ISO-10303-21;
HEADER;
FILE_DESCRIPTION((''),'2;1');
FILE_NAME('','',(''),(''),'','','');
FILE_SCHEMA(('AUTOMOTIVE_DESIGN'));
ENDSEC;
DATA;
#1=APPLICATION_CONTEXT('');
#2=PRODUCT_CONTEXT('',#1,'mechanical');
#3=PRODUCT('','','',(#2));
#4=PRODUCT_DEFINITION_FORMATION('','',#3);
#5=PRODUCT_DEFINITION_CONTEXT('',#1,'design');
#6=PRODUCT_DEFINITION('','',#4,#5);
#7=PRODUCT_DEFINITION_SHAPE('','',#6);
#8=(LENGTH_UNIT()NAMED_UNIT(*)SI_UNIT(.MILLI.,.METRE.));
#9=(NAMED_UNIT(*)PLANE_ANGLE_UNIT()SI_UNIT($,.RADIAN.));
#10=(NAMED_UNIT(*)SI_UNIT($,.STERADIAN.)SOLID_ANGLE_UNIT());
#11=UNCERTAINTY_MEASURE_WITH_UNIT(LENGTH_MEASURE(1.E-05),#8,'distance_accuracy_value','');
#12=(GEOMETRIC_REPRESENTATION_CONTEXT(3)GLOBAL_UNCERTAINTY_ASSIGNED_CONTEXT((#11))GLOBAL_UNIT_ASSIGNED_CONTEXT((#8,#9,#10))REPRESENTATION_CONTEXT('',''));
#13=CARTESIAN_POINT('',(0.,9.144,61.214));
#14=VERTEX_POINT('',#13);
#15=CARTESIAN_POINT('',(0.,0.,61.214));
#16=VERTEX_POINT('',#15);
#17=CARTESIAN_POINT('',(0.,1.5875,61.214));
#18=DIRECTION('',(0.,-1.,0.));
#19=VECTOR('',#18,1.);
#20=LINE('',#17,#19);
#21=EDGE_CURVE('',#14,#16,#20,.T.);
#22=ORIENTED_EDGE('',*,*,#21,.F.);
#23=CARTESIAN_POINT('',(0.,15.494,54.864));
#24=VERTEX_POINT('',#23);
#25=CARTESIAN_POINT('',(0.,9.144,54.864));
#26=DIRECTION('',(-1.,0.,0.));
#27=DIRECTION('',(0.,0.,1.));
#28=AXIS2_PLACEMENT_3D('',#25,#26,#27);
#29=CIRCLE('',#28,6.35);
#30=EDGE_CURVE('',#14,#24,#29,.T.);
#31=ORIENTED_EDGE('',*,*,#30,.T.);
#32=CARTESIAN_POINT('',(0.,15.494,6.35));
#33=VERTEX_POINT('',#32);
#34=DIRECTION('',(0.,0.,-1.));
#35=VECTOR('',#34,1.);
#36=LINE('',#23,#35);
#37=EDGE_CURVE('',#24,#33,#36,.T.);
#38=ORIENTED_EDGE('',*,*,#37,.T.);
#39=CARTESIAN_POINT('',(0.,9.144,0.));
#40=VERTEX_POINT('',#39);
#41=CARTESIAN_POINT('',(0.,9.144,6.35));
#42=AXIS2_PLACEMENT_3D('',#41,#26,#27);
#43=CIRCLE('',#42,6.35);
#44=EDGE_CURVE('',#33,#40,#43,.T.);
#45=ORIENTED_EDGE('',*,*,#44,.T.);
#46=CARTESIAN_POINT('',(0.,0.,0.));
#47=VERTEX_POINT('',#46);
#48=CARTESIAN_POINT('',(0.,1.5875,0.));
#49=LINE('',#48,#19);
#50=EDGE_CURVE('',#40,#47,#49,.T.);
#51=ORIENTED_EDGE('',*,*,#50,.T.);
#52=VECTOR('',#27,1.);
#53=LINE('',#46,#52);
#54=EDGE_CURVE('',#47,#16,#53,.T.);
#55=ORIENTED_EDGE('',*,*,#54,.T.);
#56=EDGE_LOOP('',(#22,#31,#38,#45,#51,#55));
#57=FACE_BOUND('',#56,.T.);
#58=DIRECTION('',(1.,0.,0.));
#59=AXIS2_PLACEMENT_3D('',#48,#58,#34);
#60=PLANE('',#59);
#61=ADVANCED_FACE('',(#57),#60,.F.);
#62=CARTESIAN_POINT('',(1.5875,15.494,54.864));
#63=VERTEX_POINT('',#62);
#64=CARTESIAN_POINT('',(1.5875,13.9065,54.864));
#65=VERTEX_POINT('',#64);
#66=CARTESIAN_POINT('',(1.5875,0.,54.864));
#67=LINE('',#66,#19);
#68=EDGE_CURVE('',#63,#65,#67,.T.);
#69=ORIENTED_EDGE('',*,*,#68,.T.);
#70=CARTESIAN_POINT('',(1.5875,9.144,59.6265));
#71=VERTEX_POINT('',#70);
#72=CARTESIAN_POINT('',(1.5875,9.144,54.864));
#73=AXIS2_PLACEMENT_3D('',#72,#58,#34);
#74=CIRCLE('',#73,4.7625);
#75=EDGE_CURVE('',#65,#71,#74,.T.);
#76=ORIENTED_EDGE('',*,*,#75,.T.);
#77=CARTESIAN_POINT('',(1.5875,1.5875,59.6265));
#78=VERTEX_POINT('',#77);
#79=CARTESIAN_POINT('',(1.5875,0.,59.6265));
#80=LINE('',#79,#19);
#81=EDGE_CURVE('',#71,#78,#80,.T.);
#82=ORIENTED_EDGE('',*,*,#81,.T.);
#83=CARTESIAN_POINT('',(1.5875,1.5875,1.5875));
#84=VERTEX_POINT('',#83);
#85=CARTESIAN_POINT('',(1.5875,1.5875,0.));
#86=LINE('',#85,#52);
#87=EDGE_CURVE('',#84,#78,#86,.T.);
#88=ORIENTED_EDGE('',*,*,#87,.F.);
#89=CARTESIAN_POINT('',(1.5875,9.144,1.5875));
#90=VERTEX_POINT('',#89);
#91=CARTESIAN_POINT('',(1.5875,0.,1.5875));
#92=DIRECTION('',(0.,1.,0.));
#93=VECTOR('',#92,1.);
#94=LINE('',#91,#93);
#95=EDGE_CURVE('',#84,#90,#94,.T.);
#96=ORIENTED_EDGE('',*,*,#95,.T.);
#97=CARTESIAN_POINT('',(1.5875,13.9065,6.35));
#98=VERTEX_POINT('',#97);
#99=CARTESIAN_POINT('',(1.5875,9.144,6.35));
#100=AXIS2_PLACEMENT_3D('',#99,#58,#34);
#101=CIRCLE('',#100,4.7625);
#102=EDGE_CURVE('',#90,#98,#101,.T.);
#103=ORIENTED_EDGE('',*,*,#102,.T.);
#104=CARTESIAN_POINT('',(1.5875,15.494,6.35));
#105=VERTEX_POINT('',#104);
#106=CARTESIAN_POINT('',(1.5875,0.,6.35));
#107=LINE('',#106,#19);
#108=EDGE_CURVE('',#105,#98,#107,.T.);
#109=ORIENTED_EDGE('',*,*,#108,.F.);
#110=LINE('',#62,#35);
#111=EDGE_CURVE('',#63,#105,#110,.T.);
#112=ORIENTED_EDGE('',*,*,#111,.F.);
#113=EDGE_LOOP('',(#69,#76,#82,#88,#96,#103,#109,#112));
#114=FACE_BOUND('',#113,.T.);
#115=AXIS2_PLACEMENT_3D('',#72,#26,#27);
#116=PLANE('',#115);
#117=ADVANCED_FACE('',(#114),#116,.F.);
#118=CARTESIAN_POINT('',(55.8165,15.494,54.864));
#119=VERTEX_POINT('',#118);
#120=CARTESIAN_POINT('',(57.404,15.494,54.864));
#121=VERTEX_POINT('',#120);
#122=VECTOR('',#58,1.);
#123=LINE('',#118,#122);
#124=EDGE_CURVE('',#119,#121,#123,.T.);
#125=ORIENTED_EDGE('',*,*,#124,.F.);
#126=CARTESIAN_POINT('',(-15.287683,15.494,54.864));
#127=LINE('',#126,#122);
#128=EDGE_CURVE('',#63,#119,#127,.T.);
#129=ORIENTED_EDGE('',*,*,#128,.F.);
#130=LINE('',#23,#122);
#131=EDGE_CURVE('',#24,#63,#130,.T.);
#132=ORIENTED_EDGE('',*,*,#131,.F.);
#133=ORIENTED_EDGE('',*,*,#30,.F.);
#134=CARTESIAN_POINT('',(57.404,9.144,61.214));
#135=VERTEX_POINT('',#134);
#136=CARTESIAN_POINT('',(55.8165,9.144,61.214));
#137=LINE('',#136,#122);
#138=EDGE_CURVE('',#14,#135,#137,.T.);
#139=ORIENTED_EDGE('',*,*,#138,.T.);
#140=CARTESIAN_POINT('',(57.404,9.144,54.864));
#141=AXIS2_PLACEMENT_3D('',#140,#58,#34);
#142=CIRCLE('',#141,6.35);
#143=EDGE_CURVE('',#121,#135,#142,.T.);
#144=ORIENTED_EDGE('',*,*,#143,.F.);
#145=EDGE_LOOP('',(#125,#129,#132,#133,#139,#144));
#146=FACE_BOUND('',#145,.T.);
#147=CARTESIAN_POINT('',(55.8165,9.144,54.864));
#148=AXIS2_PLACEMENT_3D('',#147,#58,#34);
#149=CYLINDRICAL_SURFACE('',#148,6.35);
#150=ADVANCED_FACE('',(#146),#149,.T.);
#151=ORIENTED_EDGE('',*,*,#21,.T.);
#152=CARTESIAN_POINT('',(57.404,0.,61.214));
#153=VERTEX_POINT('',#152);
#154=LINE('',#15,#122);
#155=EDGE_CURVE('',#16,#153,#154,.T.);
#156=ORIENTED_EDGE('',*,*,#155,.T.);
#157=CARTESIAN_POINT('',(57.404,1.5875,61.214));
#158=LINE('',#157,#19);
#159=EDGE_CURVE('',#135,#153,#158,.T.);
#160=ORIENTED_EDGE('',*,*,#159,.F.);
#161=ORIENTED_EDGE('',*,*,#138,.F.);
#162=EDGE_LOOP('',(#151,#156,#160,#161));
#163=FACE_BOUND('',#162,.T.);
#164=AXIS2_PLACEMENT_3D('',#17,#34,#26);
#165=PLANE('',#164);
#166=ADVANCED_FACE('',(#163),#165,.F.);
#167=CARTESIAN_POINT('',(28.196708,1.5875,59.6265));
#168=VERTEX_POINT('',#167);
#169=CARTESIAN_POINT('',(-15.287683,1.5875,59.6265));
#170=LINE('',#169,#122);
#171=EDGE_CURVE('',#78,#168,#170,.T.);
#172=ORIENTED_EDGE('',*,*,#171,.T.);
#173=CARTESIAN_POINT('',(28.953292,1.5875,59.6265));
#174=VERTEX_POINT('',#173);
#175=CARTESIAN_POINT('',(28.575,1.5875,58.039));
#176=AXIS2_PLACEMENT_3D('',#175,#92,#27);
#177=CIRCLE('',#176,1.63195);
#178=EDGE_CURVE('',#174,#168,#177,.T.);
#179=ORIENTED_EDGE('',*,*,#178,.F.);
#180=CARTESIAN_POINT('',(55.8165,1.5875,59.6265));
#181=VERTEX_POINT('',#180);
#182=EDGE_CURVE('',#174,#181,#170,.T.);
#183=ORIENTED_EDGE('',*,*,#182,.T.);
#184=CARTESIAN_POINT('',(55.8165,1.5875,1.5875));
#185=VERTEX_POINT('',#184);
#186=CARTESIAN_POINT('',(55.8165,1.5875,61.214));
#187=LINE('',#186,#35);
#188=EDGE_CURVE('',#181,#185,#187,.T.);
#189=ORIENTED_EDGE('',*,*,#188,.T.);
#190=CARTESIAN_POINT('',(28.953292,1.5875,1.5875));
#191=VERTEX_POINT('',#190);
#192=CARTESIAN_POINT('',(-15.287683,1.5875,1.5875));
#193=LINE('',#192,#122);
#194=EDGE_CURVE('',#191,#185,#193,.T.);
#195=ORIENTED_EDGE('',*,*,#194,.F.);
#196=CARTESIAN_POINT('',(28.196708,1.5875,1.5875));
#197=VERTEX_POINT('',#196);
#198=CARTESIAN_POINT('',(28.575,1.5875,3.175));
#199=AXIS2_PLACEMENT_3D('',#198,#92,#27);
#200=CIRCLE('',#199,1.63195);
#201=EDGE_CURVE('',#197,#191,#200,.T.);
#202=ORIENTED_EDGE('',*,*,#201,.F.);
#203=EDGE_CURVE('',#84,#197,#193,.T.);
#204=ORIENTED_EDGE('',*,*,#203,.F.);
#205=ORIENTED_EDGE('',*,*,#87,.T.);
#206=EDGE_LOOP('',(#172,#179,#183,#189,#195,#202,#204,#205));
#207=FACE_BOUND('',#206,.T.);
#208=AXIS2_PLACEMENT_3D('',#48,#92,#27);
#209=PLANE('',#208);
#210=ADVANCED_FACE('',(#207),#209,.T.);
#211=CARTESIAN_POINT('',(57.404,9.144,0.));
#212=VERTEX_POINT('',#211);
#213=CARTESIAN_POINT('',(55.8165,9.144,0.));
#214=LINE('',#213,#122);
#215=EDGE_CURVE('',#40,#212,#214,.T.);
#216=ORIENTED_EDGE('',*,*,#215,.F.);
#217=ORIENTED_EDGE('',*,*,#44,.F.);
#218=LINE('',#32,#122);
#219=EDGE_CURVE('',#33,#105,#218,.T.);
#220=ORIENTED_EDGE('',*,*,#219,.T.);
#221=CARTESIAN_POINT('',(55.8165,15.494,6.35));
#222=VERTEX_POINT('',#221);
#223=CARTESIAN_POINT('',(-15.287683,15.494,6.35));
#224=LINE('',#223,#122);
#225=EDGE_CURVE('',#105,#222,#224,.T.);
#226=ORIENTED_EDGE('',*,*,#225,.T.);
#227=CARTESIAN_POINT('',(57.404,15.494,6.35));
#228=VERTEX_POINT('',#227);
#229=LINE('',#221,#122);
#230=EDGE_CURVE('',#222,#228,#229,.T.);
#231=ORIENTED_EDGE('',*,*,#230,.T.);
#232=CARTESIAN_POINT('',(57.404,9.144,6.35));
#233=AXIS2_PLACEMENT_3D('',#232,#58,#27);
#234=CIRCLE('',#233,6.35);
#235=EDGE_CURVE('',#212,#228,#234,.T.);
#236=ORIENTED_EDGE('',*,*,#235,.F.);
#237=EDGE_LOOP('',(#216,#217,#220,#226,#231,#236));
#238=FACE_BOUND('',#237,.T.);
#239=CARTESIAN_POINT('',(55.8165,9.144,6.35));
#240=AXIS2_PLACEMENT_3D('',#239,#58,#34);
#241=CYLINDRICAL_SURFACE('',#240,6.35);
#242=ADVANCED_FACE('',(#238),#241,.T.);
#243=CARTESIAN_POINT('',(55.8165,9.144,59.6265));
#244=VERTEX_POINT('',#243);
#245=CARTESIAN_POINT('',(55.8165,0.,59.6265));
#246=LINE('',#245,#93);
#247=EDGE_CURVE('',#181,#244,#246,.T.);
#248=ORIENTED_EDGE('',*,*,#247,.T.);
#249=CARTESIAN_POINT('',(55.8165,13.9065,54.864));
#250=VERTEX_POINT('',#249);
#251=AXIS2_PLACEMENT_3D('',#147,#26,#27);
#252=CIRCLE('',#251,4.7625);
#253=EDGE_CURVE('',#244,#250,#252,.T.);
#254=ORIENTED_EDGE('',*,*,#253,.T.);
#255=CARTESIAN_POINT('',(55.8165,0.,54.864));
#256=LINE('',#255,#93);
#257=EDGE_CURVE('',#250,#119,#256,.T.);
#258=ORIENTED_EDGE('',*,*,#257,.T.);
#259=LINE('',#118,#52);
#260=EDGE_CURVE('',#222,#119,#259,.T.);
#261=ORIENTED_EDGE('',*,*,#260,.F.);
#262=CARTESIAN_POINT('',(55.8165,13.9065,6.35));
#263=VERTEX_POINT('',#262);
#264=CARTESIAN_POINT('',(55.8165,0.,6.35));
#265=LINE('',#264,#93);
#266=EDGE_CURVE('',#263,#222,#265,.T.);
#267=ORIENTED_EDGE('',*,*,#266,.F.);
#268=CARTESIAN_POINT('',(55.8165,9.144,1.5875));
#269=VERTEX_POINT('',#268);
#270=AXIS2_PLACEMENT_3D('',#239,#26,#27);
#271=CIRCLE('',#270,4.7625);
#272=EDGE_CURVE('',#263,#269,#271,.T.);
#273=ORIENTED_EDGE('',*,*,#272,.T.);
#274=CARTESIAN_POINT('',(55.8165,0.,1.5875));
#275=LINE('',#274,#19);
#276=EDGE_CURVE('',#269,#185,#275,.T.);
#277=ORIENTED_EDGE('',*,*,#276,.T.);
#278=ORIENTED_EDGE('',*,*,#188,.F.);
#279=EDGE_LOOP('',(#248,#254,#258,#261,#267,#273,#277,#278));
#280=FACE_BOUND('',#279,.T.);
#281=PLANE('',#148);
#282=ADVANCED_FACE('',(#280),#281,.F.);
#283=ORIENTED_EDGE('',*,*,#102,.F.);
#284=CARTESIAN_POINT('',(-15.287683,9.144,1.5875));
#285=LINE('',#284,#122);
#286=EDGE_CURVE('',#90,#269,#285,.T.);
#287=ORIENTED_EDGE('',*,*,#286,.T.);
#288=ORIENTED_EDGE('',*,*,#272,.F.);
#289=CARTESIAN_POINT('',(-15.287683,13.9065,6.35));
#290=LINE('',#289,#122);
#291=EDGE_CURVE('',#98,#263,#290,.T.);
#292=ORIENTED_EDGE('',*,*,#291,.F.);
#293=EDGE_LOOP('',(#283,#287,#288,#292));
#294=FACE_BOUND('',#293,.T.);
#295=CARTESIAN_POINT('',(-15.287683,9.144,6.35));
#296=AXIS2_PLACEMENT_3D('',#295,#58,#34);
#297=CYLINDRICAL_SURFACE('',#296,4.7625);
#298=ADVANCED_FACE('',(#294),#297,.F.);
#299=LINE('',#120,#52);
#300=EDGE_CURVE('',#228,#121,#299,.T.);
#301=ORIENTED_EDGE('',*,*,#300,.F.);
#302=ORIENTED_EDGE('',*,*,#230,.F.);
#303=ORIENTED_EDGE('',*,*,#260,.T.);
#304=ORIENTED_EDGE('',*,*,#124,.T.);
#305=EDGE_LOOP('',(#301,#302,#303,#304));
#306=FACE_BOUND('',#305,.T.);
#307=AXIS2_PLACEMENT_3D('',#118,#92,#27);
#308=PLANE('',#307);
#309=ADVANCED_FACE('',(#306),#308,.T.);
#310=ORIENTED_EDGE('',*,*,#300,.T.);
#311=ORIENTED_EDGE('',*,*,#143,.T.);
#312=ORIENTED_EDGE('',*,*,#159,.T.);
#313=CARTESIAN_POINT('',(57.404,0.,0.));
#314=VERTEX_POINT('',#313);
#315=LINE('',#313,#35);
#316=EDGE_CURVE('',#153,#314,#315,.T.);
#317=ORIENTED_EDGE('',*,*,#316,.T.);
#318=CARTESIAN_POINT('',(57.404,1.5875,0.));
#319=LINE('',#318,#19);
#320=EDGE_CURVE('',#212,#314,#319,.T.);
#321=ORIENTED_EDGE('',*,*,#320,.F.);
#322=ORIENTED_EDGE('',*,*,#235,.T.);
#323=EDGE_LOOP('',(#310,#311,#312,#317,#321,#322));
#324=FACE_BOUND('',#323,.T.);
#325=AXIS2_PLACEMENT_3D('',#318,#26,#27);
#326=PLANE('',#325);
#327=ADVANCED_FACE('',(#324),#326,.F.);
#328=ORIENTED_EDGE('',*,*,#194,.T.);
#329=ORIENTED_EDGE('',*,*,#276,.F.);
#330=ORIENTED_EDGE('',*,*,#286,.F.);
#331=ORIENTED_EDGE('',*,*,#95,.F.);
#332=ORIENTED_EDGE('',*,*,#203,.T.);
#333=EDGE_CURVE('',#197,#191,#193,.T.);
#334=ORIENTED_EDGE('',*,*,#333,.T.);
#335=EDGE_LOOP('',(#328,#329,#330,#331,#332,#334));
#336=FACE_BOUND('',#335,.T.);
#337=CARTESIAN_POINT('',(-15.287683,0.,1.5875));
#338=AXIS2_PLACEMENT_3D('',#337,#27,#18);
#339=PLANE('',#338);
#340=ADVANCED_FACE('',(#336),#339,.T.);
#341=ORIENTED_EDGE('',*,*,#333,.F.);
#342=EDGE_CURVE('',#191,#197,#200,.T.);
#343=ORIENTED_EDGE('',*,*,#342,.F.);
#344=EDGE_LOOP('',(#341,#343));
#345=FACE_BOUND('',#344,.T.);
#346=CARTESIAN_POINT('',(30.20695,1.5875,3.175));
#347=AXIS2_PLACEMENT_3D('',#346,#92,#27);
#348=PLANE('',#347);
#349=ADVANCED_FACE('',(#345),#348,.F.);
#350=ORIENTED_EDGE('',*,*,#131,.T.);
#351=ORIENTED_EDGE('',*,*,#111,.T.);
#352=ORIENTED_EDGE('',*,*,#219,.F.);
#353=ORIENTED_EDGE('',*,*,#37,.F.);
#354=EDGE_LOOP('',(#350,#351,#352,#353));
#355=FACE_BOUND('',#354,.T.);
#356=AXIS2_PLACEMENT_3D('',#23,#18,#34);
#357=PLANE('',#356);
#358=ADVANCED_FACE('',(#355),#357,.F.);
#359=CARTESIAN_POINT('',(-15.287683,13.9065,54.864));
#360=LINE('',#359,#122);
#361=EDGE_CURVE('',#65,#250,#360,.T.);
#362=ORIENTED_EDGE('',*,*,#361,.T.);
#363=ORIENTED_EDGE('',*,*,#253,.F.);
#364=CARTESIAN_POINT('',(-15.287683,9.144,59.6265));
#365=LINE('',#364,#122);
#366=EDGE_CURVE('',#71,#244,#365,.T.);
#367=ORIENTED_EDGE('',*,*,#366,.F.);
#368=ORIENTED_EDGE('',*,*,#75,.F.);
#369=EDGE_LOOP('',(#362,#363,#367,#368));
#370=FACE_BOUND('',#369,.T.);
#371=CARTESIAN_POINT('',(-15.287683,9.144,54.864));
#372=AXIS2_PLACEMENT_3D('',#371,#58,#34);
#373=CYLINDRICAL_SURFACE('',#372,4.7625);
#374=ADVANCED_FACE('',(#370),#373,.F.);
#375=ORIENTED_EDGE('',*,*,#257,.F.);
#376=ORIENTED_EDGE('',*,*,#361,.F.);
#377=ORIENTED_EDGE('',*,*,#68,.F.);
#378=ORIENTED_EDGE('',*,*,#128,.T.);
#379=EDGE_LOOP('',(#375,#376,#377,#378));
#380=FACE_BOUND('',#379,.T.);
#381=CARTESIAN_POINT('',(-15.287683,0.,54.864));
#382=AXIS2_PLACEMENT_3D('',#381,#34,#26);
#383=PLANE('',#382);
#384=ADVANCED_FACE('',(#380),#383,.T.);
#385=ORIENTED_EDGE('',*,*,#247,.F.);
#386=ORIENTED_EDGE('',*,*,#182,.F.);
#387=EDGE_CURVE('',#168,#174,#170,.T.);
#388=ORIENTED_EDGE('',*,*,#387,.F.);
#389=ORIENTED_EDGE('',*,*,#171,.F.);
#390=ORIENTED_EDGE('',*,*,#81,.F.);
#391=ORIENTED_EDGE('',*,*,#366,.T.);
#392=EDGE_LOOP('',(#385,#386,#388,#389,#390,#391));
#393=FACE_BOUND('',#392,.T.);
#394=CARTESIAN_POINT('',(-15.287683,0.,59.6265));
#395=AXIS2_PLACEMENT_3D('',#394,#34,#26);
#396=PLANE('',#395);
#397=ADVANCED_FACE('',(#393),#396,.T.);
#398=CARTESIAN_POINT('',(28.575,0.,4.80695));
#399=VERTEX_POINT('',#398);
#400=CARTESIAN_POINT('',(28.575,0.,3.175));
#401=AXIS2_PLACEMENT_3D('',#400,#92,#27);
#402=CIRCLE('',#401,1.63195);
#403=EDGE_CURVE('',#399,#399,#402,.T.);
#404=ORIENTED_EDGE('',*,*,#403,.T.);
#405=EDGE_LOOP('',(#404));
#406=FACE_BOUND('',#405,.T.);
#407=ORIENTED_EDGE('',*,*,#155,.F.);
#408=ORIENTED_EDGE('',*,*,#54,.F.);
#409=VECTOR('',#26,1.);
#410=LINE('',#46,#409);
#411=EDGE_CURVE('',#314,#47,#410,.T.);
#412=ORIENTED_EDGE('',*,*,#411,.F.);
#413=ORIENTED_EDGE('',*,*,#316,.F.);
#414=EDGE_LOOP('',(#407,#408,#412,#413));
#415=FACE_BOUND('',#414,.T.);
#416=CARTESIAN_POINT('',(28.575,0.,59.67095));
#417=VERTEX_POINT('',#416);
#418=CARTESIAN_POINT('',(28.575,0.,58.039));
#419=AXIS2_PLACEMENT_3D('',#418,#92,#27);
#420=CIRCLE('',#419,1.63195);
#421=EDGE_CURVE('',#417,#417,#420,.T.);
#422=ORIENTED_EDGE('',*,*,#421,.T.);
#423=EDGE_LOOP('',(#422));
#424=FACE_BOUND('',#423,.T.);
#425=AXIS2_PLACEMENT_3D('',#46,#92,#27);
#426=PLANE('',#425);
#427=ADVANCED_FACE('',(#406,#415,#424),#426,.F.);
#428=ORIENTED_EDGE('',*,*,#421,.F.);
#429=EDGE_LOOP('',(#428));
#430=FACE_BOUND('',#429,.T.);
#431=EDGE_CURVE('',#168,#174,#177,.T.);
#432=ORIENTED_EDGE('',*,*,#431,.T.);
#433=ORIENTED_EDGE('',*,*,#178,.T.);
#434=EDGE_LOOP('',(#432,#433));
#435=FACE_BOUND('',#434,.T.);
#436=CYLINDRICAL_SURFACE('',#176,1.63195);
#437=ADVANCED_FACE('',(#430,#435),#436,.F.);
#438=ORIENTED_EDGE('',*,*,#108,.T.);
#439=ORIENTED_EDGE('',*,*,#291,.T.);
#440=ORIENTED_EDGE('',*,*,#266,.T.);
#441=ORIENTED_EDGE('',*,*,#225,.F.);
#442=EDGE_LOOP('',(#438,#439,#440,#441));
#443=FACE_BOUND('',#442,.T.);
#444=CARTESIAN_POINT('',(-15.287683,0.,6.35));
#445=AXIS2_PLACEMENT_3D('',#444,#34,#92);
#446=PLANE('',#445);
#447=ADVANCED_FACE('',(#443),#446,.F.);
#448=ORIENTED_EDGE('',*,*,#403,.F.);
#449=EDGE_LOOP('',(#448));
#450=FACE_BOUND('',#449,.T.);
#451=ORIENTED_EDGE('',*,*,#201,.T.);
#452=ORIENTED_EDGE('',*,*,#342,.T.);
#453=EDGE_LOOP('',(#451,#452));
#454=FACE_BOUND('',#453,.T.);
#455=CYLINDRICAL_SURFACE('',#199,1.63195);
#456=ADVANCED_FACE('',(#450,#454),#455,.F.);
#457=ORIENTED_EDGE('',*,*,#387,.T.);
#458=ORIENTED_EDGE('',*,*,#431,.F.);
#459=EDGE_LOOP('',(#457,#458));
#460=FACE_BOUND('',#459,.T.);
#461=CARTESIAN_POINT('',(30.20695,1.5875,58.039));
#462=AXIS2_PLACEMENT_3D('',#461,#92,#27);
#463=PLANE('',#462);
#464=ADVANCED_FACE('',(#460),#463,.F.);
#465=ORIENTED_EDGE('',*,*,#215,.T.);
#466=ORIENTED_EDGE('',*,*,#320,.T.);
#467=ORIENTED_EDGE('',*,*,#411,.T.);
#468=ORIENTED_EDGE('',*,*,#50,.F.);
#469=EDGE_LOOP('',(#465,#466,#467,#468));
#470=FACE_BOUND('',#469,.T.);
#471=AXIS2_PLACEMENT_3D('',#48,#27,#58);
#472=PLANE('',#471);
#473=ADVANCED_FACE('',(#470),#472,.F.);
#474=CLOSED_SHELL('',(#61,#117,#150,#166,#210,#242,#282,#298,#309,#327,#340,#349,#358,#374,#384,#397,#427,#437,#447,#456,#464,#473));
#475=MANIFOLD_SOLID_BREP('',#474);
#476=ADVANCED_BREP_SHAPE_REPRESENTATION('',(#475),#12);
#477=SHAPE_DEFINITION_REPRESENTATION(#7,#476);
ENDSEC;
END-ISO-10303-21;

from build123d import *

# Parameters (mm, degrees)
SKETCH1_W                      = 57.404
SKETCH1_H                      = 61.214
BOSS_EXTRUDE1_DEPTH            = 1.5875
BOSS_EXTRUDE2_DEPTH            = 1.5875
BOSS_EXTRUDE3_DEPTH            = 54.229
BOSS_EXTRUDE4_DEPTH            = 1.5875
SKETCH6_W                      = 1.63195
SKETCH6_H                      = 1.5875
F_4_CLEARANCE_HOLE1_AT_2_COUNT = 2
F_4_CLEARANCE_HOLE1_AT_2_PITCH = 54.864


with BuildPart() as part:
    # Sketch1 → Boss-Extrude1 (new body)
    with BuildSketch(Plane(origin=(0, 0, 0), x_dir=(1, 0, 0), z_dir=(0, 1, 0))):
        with Locations((28.702, -30.607)):
            Rectangle(SKETCH1_W, SKETCH1_H)
    extrude(amount=BOSS_EXTRUDE1_DEPTH)

    # Sketch2 → Boss-Extrude2 (add)
    with BuildSketch(Plane(origin=(57.404, 0, 0), x_dir=(0, 0, -1), z_dir=(1, 0, 0))):
        with BuildLine():
            Line((-61.214, 1.5875), (0, 1.5875))
            Line((0, 1.5875), (0, 9.144))
            ThreePointArc((0, 9.144), (-1.859871939, 13.634128061), (-6.35, 15.494))
            Line((-6.35, 15.494), (-54.864, 15.494))
            ThreePointArc((-54.864, 15.494), (-59.354128061, 13.634128061), (-61.214, 9.144))
            Line((-61.214, 9.144), (-61.214, 1.5875))
        make_face()
    extrude(amount=-BOSS_EXTRUDE2_DEPTH)

    # Sketch3 → Boss-Extrude3 (add)
    with BuildSketch(Plane.ZY.offset(-55.8165)):
        with BuildLine():
            Line((1.5875, 1.5875), (1.5875, 3.175))
            Line((1.5875, 3.175), (1.5875, 9.144))
            ThreePointArc((1.5875, 9.144), (2.982403955, 12.511596045), (6.35, 13.9065))
            Line((6.35, 13.9065), (6.35, 15.494))
            ThreePointArc((6.35, 15.494), (1.859871939, 13.634128061), (0, 9.144))
            Line((0, 9.144), (0, 1.5875))
            Line((0, 1.5875), (1.5875, 1.5875))
        make_face()
        with BuildLine():
            Line((59.6265, 9.144), (59.6265, 3.175))
            Line((59.6265, 3.175), (59.6265, 1.5875))
            Line((59.6265, 1.5875), (61.214, 1.5875))
            Line((61.214, 1.5875), (61.214, 9.144))
            ThreePointArc((61.214, 9.144), (59.354128061, 13.634128061), (54.864, 15.494))
            Line((54.864, 15.494), (54.864, 13.9065))
            ThreePointArc((54.864, 13.9065), (58.231596045, 12.511596045), (59.6265, 9.144))
        make_face()
    extrude(amount=BOSS_EXTRUDE3_DEPTH)

    # Sketch4 → Boss-Extrude4 (add)
    with BuildSketch(Plane.ZY.offset(-1.5875)):
        with BuildLine():
            Line((0, 0), (61.214, 0))
            Line((61.214, 0), (61.214, 9.144))
            ThreePointArc((61.214, 9.144), (59.354128061, 13.634128061), (54.864, 15.494))
            Line((54.864, 15.494), (6.35, 15.494))
            ThreePointArc((6.35, 15.494), (1.859871939, 13.634128061), (0, 9.144))
            Line((0, 9.144), (0, 0))
        make_face()
    extrude(amount=BOSS_EXTRUDE4_DEPTH)

    # Sketch6 → #4 Clearance Hole1 (revolve, cut)
    with BuildSketch(Plane(origin=(28.575, 1.5875, 58.039), x_dir=(0, 0, 1), z_dir=(1, 0, 0))):
        with Locations((0.815975, 0.79375)):
            Rectangle(SKETCH6_W, SKETCH6_H)
    f_4_clearance_hole1 = revolve(axis=Axis((28.575, 7.9375, 58.039), (0, -1, 0)), mode=Mode.SUBTRACT)

    # #4 Clearance Hole1 at 2: #4 Clearance Hole1 ×2
    with Locations(*[(0, 0, -i * F_4_CLEARANCE_HOLE1_AT_2_PITCH) for i in range(1, F_4_CLEARANCE_HOLE1_AT_2_COUNT)]):
        add(f_4_clearance_hole1, mode=Mode.SUBTRACT)


solid = part.part
